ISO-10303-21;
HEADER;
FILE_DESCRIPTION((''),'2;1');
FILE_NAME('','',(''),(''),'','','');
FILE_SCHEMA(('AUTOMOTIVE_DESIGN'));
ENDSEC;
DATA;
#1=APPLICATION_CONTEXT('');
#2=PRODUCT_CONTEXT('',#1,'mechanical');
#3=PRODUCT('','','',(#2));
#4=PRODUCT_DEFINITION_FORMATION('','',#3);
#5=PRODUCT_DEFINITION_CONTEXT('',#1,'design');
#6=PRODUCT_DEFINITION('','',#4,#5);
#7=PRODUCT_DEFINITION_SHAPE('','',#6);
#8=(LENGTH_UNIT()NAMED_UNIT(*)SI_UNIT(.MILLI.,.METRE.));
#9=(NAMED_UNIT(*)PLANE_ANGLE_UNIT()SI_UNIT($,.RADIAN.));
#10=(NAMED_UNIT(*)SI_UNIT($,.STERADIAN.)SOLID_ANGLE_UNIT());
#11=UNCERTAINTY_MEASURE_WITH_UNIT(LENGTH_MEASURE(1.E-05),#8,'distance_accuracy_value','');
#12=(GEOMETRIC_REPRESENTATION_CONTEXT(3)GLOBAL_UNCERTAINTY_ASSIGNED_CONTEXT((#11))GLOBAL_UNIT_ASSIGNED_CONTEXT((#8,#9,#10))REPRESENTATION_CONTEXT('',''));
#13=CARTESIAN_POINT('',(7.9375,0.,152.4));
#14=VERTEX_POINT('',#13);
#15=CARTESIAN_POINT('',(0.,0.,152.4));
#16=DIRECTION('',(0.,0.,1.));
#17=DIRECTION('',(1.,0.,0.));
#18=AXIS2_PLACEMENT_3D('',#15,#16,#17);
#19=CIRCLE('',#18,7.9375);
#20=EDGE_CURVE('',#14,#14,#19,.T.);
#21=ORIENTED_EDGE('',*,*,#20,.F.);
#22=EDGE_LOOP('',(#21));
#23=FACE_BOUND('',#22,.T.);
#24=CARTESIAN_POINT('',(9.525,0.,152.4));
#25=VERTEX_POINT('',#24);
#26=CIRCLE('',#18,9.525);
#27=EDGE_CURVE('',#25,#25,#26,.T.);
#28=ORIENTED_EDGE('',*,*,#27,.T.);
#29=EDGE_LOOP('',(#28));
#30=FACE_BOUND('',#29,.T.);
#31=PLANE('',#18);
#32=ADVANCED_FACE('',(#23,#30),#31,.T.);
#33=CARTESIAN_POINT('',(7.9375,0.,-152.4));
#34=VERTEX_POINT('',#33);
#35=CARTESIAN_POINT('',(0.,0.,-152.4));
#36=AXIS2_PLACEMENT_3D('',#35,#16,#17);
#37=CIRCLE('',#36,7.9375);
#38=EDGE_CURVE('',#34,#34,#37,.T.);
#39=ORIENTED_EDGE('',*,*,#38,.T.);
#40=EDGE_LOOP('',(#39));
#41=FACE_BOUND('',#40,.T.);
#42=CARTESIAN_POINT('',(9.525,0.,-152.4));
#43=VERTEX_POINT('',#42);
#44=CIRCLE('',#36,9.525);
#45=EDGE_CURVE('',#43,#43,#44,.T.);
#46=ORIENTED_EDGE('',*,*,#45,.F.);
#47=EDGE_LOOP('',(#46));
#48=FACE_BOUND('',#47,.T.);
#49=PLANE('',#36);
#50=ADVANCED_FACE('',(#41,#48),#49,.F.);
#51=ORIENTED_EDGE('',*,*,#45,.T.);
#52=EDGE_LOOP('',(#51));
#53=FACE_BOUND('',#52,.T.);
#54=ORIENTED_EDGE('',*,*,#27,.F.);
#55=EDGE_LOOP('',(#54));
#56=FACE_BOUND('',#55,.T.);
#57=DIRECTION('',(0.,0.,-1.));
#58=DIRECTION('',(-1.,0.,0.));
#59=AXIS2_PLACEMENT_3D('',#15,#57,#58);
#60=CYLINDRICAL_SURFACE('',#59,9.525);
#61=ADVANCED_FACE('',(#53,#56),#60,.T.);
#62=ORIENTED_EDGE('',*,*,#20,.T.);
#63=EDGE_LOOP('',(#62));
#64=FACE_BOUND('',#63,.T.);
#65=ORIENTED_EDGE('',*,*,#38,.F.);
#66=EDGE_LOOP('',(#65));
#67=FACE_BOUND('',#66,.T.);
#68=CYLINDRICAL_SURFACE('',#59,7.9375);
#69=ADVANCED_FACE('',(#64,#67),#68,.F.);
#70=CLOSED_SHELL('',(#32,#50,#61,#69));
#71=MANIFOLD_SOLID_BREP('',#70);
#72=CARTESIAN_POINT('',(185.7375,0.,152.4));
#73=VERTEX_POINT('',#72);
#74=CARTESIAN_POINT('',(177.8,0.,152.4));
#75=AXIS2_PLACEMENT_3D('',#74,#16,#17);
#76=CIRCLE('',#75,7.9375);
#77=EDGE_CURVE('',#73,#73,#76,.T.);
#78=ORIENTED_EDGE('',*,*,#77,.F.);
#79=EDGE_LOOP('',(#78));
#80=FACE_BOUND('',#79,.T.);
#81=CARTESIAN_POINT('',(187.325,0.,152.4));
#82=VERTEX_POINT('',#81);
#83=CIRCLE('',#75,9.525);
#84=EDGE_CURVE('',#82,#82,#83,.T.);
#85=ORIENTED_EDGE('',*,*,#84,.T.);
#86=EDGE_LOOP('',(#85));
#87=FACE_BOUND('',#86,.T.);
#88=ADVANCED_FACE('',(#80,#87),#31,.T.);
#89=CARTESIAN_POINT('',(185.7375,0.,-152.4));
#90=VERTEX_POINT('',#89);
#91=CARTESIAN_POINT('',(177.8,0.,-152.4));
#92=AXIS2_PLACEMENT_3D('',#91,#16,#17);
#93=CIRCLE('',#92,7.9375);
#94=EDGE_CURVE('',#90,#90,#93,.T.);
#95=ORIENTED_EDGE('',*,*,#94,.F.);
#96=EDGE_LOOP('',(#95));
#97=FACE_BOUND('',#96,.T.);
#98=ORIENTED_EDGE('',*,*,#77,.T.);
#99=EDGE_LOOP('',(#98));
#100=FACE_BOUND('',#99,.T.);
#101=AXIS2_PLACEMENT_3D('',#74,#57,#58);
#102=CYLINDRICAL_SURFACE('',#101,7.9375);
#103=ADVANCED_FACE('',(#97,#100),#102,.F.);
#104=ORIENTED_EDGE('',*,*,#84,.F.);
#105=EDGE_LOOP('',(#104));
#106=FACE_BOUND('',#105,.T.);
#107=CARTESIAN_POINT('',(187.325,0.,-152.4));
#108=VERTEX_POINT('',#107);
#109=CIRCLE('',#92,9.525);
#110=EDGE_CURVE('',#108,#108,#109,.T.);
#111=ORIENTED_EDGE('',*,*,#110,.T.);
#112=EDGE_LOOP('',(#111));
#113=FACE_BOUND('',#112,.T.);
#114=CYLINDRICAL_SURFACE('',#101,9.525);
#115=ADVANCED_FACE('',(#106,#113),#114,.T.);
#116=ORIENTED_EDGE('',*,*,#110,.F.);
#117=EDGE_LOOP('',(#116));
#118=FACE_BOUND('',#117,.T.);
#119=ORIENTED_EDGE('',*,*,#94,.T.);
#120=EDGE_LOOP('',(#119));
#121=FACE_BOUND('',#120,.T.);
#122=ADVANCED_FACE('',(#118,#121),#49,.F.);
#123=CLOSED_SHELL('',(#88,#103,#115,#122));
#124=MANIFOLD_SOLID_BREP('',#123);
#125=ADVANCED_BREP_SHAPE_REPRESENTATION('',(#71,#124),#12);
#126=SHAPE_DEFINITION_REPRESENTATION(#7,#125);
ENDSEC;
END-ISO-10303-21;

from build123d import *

# Parameters (mm, degrees)
SKETCH1_R             = 9.525
SKETCH1_R_2           = 7.9375
BOSS_EXTRUDE1_DEPTH   = 152.4
BOSS_EXTRUDE1_2_DEPTH = 152.4


with BuildPart() as part:
    # Sketch1 → Boss-Extrude1 (new body, symmetric)
    with BuildSketch(Plane.XY):
        Circle(SKETCH1_R)
        Circle(SKETCH1_R_2, mode=Mode.SUBTRACT)
    extrude(amount=BOSS_EXTRUDE1_DEPTH, both=True)


with BuildPart() as body_2:
    # Sketch1 → Boss-Extrude1 2 (new body, symmetric)
    with BuildSketch(Plane.XY):
        with Locations((177.8, 0)):
            Circle(SKETCH1_R)
        with Locations((177.8, 0)):
            Circle(SKETCH1_R_2, mode=Mode.SUBTRACT)
    extrude(amount=BOSS_EXTRUDE1_2_DEPTH, both=True)


solid = Compound([part.part, body_2.part])
